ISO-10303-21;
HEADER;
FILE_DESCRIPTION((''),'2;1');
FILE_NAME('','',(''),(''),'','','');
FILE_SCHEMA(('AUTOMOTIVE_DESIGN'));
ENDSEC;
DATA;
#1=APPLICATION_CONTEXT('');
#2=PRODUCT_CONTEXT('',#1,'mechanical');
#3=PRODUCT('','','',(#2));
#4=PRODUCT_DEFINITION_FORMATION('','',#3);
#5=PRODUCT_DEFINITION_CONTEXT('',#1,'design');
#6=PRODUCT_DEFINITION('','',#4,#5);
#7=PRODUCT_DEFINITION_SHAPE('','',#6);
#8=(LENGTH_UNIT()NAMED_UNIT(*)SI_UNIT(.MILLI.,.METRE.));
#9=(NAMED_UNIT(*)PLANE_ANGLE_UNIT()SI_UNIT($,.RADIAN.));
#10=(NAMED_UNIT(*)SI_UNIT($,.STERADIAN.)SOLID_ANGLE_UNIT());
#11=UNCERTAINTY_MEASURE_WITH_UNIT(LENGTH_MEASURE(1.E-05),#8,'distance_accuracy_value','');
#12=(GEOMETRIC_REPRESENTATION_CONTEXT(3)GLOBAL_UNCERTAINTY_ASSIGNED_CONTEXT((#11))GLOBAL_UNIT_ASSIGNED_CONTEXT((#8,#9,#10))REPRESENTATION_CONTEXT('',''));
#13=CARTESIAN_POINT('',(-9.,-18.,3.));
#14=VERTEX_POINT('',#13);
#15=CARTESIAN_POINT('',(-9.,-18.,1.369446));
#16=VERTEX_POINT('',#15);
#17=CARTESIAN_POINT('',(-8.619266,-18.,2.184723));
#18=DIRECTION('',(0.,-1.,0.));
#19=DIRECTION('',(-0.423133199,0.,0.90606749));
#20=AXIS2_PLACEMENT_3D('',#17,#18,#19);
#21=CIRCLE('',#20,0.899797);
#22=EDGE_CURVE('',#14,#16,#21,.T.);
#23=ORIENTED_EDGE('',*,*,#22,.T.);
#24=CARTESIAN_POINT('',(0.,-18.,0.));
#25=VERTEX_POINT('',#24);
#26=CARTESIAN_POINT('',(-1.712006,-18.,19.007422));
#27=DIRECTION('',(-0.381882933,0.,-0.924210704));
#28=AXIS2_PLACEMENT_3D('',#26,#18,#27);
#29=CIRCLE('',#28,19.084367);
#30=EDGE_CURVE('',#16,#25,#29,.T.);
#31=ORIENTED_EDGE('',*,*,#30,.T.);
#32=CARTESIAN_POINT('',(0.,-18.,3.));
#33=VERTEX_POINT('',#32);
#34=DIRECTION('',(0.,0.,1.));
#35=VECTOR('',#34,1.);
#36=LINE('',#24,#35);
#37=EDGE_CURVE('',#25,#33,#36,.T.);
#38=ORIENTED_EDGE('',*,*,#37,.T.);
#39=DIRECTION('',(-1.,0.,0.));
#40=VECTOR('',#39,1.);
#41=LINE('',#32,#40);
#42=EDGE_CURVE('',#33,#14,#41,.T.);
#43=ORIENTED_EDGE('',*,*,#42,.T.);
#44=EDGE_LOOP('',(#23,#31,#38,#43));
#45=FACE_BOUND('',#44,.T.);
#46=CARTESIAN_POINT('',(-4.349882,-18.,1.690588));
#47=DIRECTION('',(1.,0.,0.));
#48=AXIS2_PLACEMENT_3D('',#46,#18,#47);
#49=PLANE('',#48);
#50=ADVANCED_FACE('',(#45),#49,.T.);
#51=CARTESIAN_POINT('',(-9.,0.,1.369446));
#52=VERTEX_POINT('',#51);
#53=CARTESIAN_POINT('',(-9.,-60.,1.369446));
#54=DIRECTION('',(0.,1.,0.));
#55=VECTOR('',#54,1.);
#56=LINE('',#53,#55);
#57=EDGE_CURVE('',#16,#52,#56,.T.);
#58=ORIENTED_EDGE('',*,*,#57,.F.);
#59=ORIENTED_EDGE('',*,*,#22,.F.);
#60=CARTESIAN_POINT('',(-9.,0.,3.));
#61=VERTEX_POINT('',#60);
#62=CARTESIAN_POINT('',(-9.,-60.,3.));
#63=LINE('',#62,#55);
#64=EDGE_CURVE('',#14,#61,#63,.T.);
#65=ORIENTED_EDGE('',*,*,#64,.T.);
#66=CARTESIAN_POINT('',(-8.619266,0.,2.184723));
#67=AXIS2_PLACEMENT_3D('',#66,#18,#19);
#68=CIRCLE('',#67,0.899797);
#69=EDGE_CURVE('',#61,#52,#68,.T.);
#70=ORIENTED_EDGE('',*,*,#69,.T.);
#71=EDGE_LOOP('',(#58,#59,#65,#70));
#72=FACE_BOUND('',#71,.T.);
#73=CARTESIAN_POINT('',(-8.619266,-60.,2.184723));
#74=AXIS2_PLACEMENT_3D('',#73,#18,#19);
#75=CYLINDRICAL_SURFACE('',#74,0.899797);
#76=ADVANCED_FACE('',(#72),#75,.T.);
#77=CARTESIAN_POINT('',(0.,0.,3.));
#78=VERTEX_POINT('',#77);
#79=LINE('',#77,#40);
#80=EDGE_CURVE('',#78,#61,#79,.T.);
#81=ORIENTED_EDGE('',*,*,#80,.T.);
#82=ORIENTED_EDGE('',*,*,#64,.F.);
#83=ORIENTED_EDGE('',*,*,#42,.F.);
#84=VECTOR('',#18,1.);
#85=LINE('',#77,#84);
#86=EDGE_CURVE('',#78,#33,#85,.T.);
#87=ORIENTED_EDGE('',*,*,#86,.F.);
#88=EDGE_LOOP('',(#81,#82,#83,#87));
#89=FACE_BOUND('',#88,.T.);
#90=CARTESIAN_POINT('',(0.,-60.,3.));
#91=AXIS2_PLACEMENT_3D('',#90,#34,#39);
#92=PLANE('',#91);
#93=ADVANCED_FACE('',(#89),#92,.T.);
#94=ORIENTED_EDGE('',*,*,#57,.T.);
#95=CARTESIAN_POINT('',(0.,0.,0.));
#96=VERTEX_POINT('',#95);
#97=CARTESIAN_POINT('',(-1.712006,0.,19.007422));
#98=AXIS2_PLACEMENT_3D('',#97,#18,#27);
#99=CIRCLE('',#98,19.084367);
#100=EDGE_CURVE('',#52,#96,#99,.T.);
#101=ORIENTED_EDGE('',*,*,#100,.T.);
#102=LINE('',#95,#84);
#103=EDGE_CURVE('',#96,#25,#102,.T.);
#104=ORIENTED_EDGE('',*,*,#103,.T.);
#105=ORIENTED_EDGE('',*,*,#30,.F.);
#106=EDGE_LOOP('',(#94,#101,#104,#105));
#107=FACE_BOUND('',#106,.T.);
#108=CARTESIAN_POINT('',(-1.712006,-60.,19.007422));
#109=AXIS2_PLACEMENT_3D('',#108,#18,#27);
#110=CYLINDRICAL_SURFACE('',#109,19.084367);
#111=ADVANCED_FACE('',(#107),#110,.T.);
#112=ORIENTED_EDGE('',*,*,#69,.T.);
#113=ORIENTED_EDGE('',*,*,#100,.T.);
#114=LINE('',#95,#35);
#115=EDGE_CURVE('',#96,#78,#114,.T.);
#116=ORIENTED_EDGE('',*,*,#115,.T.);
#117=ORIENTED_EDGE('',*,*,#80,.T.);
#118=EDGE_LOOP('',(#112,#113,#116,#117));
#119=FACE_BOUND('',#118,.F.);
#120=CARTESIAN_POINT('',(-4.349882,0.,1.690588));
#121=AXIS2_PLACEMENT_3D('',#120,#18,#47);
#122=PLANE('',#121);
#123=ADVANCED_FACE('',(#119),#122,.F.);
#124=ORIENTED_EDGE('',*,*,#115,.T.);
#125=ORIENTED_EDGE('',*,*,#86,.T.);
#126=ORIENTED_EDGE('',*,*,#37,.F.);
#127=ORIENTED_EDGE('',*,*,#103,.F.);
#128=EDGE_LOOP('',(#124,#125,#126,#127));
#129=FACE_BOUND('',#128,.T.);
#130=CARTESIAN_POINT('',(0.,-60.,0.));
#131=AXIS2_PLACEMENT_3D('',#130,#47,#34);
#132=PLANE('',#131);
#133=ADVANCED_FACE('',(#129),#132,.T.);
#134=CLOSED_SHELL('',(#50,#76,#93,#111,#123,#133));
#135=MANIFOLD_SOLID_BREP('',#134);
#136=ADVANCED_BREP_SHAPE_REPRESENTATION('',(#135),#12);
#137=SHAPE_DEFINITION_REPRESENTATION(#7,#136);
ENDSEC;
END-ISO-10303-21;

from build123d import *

# Parameters (mm, degrees)
F1_DEPTH = 60
F2_DEPTH = 42
F3_DEPTH = 42


with BuildPart() as f1:
    # F0 (on Front) → F1 (new body)
    with BuildSketch(Plane.XZ):
        with BuildLine():
            ThreePointArc((-9, 1.369445934), (-4.5828518842, 0.1402203037), (0, 0))
            Line((0, 0), (0, 3))
            Line((0, 3), (-9, 3))
            ThreePointArc((-9, 3), (-9.5190631598, 2.184722967), (-9, 1.369445934))
        make_face()
    extrude(amount=F1_DEPTH)

    # F2 (add): a face of the model
    f2_faces = [f1.faces().sort_by_distance(p)[0] for p in [
        (-4.2472237482, -60, 1.6364055224),
    ]]
    extrude(f2_faces, amount=-F2_DEPTH)

    # F3 (cut): a face of the model
    f3_faces = [f1.faces().sort_by_distance(p)[0] for p in [
        (-4.2472237482, -60, 1.6364055224),
    ]]
    extrude(f3_faces, amount=-F3_DEPTH, mode=Mode.SUBTRACT)


solid = f1.part
